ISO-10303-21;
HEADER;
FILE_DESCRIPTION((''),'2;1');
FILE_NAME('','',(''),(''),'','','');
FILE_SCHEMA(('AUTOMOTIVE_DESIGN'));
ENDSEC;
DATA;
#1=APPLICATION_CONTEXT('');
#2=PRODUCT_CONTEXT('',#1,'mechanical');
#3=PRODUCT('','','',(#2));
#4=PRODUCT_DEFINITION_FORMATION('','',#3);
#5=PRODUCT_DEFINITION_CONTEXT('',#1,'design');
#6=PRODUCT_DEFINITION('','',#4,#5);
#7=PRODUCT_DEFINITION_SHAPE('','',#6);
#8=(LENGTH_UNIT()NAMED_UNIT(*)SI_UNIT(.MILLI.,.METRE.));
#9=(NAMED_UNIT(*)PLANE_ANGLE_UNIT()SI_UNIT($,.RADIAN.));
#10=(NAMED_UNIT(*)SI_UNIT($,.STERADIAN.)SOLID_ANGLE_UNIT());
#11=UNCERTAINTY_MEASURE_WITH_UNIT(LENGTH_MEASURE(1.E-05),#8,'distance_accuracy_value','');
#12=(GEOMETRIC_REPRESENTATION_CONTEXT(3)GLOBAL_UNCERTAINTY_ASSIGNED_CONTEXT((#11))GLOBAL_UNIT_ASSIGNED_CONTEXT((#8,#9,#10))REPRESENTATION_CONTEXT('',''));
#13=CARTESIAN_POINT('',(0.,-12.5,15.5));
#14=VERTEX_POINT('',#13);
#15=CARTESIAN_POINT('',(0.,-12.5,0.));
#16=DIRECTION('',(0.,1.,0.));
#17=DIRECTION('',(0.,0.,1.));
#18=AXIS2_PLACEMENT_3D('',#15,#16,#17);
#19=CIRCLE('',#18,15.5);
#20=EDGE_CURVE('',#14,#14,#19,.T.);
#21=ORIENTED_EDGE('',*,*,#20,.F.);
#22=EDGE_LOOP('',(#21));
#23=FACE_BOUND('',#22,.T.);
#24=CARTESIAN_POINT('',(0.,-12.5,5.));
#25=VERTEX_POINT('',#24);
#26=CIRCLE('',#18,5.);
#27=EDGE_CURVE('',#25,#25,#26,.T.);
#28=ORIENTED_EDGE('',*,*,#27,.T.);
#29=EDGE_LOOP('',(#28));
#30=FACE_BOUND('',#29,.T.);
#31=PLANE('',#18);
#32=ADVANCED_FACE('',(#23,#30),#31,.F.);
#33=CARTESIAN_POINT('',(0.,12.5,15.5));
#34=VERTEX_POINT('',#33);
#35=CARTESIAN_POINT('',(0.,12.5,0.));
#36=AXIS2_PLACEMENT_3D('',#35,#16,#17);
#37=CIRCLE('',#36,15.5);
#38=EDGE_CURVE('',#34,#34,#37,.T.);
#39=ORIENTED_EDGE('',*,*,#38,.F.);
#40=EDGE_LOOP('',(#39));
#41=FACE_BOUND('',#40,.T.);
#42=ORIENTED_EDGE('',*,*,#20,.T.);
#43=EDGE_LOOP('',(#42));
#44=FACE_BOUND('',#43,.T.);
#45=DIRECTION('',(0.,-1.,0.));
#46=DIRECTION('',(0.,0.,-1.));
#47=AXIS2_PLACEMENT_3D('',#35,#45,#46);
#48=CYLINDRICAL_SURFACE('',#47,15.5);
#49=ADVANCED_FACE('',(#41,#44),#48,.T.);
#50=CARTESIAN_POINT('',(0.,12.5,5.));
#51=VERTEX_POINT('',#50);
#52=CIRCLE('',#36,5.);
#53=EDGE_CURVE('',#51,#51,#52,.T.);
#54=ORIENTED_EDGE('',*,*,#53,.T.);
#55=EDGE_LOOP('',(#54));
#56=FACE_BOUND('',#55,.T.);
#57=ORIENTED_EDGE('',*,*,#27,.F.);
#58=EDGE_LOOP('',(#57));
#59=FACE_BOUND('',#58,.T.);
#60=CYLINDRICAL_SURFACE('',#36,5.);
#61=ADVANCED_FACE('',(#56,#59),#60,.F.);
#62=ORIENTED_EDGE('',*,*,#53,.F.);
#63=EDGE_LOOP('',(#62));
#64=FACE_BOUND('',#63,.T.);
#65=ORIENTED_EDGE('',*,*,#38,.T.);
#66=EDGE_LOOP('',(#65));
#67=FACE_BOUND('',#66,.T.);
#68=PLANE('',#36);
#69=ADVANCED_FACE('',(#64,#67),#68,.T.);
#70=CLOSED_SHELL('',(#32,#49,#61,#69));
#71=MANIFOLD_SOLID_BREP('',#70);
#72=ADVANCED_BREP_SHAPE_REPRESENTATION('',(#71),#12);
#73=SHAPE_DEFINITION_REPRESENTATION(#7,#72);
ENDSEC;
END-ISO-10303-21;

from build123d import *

# Parameters (mm, degrees)
SKETCH1_R              = 15.5
BOSS_EXTRUDE1_DEPTH    = 12.5
F_10_0MM_DOWEL_HOLE2_D = 10


with BuildPart() as part:
    # Sketch1 → Boss-Extrude1 (new, symmetric)
    with BuildSketch(Plane(origin=(0, 0, 0), x_dir=(1, 0, 0), z_dir=(0, 1, 0))):
        with Locations(Location((0, 0, 0), (0, 0, 270))):
            Circle(SKETCH1_R)
    extrude(amount=BOSS_EXTRUDE1_DEPTH, both=True)

    # Ø10.0mm Dowel Hole2 (through all)
    with Locations(Plane(origin=(0, 12.5, 0), x_dir=(1, 0, 0), z_dir=(0, 1, 0))):
        with Locations((0, 0)):
            Hole(F_10_0MM_DOWEL_HOLE2_D / 2)


solid = part.part
